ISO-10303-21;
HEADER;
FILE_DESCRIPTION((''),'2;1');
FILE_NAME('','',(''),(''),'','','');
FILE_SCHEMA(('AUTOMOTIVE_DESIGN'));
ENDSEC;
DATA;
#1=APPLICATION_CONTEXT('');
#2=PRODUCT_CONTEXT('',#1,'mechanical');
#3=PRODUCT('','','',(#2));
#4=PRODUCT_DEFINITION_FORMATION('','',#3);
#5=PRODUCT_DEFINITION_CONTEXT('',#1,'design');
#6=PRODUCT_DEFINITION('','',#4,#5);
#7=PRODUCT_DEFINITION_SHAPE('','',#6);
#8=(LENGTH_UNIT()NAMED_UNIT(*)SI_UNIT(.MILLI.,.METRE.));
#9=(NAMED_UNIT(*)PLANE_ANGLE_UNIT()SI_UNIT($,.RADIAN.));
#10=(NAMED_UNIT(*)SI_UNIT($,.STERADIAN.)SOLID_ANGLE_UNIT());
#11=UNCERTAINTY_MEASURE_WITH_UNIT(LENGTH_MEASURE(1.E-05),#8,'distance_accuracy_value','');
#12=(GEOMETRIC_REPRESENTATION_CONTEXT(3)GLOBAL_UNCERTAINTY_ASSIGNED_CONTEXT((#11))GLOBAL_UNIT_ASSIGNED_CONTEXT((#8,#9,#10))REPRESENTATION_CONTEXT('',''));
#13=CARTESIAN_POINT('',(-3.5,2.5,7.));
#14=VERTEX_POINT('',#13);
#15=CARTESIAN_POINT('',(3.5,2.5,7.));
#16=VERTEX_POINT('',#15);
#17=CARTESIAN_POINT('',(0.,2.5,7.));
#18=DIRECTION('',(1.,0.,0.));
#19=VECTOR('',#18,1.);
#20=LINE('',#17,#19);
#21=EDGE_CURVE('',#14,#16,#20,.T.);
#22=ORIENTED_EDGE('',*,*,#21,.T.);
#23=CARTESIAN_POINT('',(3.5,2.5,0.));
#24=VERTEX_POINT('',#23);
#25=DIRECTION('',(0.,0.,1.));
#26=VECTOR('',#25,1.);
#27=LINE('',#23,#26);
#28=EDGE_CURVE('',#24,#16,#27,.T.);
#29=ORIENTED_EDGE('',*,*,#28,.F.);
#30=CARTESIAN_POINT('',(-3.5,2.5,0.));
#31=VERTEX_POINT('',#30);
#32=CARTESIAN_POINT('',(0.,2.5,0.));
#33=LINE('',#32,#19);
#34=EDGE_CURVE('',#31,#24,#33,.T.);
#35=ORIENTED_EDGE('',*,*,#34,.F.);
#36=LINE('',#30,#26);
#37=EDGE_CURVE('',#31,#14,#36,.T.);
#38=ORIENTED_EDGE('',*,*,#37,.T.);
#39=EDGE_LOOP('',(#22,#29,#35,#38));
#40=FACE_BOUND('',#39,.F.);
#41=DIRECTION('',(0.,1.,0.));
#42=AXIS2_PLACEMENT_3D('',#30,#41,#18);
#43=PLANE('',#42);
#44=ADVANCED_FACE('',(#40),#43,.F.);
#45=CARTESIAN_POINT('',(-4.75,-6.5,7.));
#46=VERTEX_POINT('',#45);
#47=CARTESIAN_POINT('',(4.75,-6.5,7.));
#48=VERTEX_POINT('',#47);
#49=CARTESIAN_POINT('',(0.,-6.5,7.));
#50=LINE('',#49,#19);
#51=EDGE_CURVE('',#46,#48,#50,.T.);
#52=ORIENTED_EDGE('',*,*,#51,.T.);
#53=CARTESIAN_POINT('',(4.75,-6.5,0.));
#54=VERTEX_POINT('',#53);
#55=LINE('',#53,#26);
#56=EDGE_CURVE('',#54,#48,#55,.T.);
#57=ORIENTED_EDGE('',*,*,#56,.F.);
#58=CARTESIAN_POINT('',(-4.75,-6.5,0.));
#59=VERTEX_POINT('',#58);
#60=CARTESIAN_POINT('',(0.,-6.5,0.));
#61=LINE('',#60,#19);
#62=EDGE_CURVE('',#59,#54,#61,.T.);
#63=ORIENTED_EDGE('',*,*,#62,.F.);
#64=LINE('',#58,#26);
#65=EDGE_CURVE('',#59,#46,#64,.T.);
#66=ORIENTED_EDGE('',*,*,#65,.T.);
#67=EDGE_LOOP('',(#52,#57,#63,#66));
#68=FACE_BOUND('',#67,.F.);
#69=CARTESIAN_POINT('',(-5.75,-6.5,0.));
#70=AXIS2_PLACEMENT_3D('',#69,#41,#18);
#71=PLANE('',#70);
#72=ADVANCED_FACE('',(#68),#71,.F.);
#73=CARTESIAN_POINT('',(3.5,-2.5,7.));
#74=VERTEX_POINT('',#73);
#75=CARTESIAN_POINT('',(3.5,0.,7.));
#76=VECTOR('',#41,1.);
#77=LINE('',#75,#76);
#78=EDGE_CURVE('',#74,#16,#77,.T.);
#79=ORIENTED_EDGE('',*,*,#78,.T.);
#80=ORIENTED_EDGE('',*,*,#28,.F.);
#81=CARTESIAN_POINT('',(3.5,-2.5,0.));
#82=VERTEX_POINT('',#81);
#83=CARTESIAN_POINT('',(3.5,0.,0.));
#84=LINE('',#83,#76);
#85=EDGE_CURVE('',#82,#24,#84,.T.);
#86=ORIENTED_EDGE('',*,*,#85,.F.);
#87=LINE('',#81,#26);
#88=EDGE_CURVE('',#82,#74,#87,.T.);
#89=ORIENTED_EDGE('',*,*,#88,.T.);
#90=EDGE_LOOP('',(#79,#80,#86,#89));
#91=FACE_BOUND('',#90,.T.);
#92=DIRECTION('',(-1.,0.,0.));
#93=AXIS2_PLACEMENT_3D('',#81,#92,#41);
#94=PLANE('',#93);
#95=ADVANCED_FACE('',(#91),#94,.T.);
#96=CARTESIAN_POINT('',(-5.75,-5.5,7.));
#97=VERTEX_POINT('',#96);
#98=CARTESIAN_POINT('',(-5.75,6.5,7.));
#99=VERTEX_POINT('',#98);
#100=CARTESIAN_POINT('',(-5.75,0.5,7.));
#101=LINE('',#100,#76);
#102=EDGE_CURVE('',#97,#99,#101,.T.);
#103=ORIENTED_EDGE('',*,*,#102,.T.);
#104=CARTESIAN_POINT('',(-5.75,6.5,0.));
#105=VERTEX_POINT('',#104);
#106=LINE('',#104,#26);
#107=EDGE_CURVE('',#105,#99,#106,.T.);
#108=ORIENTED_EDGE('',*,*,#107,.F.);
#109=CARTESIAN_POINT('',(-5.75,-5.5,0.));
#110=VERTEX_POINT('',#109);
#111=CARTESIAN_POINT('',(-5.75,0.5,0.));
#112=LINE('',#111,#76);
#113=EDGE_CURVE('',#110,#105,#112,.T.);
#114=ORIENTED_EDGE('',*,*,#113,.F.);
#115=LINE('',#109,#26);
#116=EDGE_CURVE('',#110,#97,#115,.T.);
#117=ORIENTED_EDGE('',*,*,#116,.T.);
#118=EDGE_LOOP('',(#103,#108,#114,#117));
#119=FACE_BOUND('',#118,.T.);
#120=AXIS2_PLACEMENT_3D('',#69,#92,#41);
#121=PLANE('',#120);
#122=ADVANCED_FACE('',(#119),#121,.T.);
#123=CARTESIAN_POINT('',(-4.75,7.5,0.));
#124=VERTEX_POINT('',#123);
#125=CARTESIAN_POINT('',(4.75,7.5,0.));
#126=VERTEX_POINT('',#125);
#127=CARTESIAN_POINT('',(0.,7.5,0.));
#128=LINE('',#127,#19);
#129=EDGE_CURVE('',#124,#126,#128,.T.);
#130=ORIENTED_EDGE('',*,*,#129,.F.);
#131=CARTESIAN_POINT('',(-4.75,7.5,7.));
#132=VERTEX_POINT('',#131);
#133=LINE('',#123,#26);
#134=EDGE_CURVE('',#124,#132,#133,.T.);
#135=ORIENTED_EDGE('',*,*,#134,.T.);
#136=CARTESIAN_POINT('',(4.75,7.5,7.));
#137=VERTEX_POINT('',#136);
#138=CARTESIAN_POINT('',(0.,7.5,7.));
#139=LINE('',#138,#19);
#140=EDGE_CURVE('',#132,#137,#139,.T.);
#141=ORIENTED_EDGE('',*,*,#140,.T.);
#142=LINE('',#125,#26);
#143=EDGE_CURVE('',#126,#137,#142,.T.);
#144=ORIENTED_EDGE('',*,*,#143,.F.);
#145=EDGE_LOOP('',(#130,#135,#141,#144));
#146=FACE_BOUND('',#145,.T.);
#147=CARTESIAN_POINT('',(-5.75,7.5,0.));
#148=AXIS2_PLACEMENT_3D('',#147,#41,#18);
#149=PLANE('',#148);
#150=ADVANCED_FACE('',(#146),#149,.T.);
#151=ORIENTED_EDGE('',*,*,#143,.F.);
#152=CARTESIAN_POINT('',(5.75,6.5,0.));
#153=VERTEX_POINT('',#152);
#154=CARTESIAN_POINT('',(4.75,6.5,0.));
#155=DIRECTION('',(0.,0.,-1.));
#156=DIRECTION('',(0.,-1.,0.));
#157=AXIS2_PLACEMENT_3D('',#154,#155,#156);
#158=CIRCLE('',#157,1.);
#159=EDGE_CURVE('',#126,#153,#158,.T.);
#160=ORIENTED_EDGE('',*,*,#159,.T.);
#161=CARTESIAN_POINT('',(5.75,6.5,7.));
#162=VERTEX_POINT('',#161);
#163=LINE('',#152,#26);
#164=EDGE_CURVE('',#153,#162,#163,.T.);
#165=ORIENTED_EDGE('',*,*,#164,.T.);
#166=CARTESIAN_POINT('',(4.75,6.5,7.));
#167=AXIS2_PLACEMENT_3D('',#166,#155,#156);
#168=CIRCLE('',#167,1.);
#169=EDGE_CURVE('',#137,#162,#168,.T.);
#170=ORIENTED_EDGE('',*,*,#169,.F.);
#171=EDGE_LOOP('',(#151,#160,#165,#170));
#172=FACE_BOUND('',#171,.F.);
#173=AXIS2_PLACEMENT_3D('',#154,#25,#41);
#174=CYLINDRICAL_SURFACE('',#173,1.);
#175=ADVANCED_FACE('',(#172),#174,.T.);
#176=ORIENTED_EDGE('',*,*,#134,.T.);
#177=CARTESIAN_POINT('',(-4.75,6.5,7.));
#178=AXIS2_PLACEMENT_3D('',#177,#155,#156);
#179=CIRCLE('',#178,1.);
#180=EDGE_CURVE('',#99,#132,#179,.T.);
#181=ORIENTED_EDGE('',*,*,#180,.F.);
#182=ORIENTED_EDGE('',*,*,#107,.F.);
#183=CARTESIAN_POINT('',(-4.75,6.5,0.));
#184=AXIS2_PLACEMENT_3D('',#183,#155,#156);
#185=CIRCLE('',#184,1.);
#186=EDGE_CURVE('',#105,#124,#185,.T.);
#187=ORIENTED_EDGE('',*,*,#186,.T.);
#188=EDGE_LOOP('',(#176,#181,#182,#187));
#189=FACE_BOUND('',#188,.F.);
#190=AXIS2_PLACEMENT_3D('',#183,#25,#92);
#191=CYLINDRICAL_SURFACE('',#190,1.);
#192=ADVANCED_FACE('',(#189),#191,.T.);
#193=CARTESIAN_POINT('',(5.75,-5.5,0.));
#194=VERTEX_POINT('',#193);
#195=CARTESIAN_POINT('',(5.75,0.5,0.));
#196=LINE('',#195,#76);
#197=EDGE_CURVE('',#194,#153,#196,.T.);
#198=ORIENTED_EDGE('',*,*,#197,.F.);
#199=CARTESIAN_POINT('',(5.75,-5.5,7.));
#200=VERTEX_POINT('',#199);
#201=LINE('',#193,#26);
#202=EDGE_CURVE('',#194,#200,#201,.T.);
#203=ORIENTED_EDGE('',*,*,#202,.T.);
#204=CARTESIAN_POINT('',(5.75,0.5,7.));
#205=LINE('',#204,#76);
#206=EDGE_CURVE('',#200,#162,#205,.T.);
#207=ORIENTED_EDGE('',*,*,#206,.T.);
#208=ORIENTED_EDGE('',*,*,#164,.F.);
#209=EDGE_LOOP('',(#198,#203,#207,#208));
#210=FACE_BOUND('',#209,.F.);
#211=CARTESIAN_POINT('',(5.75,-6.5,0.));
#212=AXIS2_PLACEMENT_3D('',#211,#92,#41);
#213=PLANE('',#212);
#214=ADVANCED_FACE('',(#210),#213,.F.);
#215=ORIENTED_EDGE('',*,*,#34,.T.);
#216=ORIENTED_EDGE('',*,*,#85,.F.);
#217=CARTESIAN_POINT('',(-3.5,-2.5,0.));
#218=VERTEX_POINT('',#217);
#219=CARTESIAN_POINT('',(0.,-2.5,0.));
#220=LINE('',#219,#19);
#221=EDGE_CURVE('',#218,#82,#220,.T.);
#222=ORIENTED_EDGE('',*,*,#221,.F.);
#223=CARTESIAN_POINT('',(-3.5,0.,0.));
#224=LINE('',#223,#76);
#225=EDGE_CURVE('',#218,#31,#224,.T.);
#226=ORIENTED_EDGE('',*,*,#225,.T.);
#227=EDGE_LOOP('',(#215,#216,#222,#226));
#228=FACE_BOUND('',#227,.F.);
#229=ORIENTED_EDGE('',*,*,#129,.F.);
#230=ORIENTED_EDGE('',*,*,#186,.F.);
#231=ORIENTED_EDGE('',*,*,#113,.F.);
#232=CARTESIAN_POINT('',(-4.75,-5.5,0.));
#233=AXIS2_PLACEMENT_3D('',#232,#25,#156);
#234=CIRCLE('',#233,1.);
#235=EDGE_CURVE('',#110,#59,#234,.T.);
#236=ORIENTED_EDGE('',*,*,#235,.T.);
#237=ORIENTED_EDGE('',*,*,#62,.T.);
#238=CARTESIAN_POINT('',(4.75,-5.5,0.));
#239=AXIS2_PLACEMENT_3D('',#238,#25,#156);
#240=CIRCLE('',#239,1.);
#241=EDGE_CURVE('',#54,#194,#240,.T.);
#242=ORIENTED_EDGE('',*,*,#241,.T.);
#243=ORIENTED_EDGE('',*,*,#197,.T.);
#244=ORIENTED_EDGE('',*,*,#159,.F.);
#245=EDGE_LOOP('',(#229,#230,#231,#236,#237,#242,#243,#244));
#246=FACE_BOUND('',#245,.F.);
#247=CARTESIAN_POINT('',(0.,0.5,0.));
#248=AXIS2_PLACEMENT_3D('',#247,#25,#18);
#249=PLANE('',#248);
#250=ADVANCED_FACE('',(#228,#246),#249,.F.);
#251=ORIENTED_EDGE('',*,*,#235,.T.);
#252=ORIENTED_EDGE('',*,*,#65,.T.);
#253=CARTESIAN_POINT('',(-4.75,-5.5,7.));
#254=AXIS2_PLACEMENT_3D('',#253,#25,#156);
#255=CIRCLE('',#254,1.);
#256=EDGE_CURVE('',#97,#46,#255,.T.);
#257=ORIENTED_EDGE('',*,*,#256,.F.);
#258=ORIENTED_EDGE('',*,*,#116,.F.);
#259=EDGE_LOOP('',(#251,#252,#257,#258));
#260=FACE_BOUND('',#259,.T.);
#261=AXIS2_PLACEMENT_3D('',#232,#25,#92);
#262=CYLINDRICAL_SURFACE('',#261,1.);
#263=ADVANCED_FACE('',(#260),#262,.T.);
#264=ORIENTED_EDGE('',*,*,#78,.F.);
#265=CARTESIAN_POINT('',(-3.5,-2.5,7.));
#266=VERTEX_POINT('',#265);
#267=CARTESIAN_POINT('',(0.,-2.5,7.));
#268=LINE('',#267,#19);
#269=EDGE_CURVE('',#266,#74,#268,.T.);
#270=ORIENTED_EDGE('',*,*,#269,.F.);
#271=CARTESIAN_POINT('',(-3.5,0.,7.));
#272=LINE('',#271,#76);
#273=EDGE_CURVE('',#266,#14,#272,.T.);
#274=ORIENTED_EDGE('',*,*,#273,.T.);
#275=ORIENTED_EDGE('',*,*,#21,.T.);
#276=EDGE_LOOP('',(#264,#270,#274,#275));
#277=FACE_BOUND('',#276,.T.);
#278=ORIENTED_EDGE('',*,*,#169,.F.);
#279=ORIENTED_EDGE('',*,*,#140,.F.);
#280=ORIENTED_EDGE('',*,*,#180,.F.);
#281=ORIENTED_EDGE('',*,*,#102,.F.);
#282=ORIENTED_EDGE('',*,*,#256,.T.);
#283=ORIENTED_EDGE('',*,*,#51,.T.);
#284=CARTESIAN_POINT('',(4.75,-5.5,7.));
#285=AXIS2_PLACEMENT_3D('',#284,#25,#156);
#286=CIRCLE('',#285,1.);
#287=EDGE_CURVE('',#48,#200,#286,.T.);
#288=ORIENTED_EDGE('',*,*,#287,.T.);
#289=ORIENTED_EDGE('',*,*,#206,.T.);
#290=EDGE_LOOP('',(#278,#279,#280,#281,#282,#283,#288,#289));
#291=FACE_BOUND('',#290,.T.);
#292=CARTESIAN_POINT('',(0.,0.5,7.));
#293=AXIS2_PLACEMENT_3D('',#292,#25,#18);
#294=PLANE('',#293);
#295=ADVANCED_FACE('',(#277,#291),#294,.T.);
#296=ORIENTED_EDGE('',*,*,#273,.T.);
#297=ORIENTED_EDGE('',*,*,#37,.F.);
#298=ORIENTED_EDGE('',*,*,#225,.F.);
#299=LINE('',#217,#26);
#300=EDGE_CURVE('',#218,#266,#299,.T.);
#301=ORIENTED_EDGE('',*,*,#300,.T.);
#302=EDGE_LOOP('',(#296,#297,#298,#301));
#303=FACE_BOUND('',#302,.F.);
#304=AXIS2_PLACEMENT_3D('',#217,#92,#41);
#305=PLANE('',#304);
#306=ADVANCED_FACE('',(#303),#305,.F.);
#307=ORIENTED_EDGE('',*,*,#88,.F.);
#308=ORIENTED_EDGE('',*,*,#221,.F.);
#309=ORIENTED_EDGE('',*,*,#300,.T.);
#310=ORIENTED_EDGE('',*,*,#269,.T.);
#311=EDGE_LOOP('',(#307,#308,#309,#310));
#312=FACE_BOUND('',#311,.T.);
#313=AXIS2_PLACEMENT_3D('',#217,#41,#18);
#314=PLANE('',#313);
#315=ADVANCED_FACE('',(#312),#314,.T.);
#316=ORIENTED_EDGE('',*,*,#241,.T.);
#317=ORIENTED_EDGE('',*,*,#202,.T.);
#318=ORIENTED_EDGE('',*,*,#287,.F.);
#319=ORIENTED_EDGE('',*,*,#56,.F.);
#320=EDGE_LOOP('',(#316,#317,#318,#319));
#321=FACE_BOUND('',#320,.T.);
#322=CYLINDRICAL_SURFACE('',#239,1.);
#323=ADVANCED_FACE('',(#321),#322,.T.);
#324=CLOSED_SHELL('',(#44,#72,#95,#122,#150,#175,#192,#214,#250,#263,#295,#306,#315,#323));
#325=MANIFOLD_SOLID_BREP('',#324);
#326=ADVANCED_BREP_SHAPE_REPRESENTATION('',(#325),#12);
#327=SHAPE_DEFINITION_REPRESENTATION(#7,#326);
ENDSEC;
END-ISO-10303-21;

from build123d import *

# Parameters (mm, degrees)
F0_W     = 11.5
F0_H     = 14
F0_W_2   = 7
F0_H_2   = 5
F1_DEPTH = 7
F2_R     = 1


with BuildPart() as f1:
    # F0 (on Top) → F1 (new body)
    with BuildSketch(Plane.XY):
        with Locations((0, 0.5)):
            Rectangle(F0_W, F0_H)
        Rectangle(F0_W_2, F0_H_2, mode=Mode.SUBTRACT)
    extrude(amount=F1_DEPTH)

    # F2
    f2_edges = [f1.edges().sort_by_distance(p)[0] for p in [
        (-5.75, -6.5, 3.5),
        (5.75, -6.5, 3.5),
        (5.75, 7.5, 3.5),
        (-5.75, 7.5, 3.5),
    ]]
    fillet(f2_edges, radius=F2_R)


solid = f1.part
